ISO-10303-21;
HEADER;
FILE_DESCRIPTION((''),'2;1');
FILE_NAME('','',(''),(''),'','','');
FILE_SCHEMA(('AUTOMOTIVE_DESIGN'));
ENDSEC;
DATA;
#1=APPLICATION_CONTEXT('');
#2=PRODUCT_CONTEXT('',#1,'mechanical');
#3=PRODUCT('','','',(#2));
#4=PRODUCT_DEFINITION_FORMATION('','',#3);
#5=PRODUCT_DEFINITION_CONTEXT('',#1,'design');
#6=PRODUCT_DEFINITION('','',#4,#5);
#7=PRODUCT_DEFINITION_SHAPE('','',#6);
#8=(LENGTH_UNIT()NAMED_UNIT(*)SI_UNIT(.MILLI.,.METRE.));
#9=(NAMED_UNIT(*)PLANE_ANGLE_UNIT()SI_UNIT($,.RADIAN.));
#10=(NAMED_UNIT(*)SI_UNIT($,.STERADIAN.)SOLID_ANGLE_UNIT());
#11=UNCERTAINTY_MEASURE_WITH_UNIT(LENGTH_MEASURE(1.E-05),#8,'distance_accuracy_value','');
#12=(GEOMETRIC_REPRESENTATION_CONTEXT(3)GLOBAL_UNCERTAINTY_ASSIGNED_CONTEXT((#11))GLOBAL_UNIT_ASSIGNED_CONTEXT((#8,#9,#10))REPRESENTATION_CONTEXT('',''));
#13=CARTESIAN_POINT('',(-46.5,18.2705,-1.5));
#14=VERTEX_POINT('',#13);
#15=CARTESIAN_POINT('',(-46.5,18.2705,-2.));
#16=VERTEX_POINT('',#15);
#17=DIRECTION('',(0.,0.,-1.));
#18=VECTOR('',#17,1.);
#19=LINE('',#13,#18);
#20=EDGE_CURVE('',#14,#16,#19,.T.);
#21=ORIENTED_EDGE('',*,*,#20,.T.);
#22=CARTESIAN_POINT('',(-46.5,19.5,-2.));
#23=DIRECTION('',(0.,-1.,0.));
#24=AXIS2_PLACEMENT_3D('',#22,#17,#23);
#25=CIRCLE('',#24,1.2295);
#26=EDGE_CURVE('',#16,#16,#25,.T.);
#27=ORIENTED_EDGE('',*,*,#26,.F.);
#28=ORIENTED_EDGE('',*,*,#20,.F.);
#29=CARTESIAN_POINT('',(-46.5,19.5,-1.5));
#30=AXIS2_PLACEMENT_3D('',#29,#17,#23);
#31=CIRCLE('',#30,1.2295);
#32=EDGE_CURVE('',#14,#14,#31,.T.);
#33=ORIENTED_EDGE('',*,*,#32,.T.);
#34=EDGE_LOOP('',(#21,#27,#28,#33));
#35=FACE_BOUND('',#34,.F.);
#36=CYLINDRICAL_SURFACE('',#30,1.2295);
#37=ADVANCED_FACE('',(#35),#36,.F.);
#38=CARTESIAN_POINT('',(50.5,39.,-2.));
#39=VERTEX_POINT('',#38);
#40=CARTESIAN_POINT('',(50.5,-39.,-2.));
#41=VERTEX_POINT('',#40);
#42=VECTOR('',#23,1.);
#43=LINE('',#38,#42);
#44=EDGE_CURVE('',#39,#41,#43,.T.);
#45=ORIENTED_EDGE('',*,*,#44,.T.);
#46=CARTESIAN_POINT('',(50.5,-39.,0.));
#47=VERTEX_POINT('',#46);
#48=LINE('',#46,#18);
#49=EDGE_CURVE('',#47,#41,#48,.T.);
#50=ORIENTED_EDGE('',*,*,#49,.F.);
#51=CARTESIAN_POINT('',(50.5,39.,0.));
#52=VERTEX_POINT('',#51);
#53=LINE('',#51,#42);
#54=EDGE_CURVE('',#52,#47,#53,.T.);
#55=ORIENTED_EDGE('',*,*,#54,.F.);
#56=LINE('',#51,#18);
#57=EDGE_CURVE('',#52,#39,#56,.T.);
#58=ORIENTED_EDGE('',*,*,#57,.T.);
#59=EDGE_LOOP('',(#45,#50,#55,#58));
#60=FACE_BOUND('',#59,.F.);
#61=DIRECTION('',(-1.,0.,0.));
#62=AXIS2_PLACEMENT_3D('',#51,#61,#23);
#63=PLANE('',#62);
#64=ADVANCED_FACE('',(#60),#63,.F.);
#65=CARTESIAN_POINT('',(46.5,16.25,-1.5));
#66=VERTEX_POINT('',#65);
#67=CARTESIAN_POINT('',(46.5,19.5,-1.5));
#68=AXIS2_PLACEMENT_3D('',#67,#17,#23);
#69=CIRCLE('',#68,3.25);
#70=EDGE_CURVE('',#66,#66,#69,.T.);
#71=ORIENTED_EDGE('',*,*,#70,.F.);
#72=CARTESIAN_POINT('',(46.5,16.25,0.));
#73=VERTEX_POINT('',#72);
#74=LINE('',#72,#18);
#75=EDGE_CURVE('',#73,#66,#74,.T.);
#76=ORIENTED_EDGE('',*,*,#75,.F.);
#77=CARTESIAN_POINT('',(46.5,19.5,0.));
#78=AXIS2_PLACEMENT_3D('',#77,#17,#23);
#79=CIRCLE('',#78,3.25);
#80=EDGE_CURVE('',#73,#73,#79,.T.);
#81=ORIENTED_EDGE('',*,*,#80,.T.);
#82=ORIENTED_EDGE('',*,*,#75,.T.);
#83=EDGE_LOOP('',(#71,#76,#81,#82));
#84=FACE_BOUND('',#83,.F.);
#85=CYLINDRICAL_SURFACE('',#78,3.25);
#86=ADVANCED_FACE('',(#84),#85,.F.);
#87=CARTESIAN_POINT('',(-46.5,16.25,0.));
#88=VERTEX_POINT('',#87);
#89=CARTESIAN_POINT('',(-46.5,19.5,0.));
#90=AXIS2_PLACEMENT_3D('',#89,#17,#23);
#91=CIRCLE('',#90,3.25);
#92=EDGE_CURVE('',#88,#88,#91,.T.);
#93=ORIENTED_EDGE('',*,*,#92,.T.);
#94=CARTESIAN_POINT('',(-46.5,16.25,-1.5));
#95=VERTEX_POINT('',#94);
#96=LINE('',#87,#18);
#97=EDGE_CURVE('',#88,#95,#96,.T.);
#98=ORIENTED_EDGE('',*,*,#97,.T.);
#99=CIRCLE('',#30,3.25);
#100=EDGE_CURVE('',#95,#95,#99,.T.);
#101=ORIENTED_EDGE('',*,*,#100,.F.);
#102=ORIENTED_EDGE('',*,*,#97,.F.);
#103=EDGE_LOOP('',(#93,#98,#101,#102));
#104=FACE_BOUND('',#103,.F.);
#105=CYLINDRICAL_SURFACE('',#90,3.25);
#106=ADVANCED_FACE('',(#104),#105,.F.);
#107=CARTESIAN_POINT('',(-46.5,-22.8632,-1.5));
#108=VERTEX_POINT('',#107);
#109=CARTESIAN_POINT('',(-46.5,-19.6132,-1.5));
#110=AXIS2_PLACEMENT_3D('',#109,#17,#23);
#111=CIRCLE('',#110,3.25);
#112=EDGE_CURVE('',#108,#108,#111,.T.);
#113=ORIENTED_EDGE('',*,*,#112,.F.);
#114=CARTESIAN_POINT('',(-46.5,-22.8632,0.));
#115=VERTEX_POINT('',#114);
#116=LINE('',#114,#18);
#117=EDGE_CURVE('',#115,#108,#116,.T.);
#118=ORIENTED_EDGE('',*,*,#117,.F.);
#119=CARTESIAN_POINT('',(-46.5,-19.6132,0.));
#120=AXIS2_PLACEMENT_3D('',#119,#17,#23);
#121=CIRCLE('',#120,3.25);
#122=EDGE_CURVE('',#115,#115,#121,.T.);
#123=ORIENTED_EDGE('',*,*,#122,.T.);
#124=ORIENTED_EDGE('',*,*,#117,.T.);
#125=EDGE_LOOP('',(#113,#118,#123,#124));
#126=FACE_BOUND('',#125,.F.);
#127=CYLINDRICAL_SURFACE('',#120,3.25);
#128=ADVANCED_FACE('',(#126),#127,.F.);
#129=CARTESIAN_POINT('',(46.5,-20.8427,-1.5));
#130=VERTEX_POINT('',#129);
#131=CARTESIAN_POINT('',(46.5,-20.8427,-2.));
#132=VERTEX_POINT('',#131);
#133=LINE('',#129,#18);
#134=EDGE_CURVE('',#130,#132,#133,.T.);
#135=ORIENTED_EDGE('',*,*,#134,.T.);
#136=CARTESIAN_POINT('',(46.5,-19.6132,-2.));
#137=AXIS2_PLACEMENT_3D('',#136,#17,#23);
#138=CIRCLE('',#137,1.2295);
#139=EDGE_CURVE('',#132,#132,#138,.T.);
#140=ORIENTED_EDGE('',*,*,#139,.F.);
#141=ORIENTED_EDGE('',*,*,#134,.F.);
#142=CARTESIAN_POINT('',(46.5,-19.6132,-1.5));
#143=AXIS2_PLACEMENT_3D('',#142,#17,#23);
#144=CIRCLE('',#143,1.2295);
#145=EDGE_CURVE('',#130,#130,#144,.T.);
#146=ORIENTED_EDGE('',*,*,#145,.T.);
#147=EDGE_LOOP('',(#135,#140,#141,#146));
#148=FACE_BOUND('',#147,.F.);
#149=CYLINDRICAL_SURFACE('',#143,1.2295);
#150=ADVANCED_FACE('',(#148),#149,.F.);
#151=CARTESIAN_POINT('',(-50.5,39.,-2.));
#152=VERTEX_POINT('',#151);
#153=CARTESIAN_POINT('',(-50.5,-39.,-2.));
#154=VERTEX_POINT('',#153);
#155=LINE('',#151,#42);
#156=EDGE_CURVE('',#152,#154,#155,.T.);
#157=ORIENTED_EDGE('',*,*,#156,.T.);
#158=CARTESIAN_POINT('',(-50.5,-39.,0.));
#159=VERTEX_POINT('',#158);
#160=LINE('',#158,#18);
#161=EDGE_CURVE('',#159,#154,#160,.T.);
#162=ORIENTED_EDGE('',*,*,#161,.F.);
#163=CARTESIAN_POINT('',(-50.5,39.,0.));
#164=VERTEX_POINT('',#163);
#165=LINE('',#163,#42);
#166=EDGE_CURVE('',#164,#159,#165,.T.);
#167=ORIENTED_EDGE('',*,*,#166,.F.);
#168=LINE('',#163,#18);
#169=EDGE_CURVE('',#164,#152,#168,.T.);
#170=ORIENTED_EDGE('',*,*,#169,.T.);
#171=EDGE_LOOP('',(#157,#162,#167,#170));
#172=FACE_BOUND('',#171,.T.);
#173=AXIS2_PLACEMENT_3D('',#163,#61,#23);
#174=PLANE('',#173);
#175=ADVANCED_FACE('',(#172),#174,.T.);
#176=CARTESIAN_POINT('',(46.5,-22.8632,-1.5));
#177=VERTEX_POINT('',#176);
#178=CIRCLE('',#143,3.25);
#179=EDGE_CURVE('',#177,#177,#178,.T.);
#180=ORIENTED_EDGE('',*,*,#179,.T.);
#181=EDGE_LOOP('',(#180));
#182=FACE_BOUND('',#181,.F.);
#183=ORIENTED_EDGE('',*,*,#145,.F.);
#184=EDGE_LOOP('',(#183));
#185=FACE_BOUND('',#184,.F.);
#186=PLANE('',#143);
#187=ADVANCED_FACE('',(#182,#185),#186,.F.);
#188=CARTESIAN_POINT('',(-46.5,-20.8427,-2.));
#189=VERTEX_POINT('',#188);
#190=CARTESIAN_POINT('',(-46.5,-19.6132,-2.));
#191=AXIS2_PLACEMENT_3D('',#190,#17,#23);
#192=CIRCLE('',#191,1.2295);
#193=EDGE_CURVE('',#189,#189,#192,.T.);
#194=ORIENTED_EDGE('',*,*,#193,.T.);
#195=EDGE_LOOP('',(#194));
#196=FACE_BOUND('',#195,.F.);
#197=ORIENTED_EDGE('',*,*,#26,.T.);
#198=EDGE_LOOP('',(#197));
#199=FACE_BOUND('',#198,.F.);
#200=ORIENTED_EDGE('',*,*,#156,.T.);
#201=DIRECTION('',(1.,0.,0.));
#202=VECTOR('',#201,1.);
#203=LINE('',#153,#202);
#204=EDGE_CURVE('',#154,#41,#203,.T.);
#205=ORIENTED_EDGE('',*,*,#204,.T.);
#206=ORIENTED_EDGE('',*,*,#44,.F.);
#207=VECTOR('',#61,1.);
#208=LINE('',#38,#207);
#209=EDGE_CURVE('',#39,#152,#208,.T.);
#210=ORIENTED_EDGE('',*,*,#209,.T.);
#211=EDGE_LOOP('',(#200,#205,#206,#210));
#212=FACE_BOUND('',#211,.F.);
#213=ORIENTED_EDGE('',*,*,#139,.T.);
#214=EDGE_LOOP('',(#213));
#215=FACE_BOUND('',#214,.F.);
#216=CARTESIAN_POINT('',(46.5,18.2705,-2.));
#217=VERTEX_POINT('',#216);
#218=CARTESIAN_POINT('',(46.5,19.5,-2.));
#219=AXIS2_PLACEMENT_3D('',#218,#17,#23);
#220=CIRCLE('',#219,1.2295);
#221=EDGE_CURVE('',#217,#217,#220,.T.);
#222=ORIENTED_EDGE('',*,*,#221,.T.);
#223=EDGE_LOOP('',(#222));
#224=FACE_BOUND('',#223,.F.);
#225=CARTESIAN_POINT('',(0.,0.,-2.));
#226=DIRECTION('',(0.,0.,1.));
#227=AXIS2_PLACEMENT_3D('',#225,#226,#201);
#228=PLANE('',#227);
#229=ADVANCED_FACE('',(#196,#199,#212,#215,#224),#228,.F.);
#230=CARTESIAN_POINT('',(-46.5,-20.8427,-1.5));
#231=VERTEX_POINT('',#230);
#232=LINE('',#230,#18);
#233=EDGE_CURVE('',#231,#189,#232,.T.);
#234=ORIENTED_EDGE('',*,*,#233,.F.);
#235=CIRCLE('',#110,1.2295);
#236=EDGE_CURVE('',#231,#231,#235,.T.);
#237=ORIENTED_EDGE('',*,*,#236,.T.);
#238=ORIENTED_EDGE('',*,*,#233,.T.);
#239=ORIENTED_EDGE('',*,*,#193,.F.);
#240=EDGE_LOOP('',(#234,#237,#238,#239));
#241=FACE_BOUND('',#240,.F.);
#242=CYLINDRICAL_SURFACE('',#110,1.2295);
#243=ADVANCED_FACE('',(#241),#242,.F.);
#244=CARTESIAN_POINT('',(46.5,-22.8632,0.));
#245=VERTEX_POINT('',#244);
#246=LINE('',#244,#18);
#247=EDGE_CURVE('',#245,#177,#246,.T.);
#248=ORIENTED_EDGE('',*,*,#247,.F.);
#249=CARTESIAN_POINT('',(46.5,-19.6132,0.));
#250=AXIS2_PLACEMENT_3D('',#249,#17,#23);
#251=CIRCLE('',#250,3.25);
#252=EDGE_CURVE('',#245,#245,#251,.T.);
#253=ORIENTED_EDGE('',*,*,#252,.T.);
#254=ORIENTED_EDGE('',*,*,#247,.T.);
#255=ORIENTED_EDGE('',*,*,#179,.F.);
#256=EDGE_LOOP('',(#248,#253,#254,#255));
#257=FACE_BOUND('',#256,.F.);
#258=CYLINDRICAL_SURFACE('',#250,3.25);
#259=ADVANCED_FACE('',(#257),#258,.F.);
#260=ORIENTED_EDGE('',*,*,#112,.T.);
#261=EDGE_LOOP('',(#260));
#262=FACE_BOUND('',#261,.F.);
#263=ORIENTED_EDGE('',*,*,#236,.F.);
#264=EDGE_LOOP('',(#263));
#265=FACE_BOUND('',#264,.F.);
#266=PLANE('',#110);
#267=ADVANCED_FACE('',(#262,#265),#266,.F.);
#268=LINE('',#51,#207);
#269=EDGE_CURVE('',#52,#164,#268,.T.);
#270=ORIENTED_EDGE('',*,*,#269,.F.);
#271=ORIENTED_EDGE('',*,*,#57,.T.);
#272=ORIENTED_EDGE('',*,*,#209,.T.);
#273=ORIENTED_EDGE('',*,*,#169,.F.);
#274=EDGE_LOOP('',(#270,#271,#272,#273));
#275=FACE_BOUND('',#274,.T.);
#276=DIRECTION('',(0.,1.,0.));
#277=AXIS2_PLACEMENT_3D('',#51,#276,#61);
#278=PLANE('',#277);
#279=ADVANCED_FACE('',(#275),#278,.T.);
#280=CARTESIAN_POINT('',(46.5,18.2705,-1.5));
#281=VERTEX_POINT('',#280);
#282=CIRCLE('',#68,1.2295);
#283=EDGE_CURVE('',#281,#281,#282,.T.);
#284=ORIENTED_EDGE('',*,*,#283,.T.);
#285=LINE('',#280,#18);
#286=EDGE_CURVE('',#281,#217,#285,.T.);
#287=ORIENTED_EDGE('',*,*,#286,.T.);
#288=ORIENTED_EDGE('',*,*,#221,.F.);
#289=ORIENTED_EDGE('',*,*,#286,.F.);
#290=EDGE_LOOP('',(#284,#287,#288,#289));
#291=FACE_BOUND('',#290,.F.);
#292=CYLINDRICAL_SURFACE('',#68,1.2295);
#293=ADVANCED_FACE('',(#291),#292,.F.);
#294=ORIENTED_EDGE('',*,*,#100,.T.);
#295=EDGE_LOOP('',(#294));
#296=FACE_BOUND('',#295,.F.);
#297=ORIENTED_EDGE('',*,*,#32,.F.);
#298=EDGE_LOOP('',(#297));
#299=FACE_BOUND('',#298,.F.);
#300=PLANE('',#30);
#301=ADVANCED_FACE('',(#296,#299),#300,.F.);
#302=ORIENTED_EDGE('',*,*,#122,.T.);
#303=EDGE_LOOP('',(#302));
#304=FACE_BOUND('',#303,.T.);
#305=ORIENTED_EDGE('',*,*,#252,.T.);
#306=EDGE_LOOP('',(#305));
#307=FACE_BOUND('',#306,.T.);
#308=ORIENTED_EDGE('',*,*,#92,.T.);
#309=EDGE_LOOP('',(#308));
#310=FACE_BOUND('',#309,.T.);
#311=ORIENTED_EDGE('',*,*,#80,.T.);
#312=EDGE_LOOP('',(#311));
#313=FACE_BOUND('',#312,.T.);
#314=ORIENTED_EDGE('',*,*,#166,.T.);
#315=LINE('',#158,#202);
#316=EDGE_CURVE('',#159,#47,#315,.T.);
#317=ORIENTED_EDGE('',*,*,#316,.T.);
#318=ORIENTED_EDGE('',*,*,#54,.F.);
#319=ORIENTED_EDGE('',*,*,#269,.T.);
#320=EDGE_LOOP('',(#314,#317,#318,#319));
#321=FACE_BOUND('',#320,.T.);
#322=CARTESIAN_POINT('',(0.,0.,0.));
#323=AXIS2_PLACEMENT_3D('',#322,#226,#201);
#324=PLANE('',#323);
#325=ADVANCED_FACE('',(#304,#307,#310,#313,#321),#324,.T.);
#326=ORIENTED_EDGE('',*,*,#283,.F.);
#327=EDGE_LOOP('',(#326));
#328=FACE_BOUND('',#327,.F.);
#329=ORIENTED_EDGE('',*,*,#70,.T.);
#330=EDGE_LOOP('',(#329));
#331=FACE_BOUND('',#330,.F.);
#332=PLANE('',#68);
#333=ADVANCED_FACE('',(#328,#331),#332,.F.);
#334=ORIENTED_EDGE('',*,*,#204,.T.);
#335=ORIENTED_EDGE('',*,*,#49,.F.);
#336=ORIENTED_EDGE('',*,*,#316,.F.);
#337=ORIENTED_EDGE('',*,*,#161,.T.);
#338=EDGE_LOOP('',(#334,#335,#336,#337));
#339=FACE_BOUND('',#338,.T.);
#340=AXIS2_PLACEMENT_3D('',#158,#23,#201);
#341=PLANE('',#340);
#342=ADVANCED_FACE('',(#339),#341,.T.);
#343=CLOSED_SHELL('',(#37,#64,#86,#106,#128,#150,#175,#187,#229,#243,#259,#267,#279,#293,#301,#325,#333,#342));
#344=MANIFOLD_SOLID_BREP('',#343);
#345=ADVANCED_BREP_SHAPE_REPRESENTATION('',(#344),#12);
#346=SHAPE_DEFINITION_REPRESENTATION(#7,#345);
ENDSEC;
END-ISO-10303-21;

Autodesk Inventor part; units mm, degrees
ref_plane "YZ Plane" through (0, 0, 0) normal (1, 0, 0) x (0, 1, 0)
ref_plane "XZ Plane" through (0, 0, 0) normal (0, 1, 0) x (-1, 0, 0)
ref_plane "XY Plane" through (0, 0, 0) normal (0, 0, 1) x (1, 0, 0)
sketch "Esboço1" plane through (0, 0, 0) normal (0, 0, 1) x (1, 0, 0)
  line L0 (50.5, 39) -> (-50.5, 39)
  line L1 (-50.5, 39) -> (-50.5, -39)
  line L2 (-50.5, -39) -> (50.5, -39)
  line L3 (50.5, 39) -> (50.5, -39)
  point P0 (0, 0)
  dimension "d2" = 101
  dimension "d3" = 78
  dimension "d4" = 50.5
  dimension "d5" = 39
extrude "Extrusão1" add sketch "Esboço1" against normal blind 2
sketch "Esboço2" plane through (0, 0, 0) normal (0, 0, 1) x (1, 0, 0)
  line L0 (-50.5, 39) -> (50.5, 39) projected
  line L1 (-42.5, 39) -> (-42.5, -39.1132) construction
  line L2 (42.5, 39) -> (42.5, -39.1132) construction
  line L3 (-50.5, 19.5) -> (50.5, 19.5) construction
  line L4 (-50.5, -39) -> (-50.5, 39) projected
  line L5 (-50.5, -19.6132) -> (50.5, -19.6132) construction
  line L6 (-46.5, 39) -> (-46.5, -39) construction
  line L7 (50.5, -39) -> (-50.5, -39) projected
  line L8 (46.5, 39) -> (46.5, -39) construction
  point P0 (0, 0)
  point P1 (-46.5, 19.5)
  point P2 (-46.5, -19.6132)
  point P3 (46.5, -19.6132)
  point P4 (46.5, 19.5)
hole "Furo1" at (-46.5, 19.5, 0) at (-46.5, -19.6132, 0) at (46.5, -19.6132, 0) at (46.5, 19.5, 0) direction (0, 0, -1) diameter 2.459 end through all counterbore diameter 6.5 counterbore depth 1.5 thread size "M3x0.5" class "6H" standard "ANSI Metric M Profile"
properties part number "Ra-Manager_Painel_Placas-Cego"
